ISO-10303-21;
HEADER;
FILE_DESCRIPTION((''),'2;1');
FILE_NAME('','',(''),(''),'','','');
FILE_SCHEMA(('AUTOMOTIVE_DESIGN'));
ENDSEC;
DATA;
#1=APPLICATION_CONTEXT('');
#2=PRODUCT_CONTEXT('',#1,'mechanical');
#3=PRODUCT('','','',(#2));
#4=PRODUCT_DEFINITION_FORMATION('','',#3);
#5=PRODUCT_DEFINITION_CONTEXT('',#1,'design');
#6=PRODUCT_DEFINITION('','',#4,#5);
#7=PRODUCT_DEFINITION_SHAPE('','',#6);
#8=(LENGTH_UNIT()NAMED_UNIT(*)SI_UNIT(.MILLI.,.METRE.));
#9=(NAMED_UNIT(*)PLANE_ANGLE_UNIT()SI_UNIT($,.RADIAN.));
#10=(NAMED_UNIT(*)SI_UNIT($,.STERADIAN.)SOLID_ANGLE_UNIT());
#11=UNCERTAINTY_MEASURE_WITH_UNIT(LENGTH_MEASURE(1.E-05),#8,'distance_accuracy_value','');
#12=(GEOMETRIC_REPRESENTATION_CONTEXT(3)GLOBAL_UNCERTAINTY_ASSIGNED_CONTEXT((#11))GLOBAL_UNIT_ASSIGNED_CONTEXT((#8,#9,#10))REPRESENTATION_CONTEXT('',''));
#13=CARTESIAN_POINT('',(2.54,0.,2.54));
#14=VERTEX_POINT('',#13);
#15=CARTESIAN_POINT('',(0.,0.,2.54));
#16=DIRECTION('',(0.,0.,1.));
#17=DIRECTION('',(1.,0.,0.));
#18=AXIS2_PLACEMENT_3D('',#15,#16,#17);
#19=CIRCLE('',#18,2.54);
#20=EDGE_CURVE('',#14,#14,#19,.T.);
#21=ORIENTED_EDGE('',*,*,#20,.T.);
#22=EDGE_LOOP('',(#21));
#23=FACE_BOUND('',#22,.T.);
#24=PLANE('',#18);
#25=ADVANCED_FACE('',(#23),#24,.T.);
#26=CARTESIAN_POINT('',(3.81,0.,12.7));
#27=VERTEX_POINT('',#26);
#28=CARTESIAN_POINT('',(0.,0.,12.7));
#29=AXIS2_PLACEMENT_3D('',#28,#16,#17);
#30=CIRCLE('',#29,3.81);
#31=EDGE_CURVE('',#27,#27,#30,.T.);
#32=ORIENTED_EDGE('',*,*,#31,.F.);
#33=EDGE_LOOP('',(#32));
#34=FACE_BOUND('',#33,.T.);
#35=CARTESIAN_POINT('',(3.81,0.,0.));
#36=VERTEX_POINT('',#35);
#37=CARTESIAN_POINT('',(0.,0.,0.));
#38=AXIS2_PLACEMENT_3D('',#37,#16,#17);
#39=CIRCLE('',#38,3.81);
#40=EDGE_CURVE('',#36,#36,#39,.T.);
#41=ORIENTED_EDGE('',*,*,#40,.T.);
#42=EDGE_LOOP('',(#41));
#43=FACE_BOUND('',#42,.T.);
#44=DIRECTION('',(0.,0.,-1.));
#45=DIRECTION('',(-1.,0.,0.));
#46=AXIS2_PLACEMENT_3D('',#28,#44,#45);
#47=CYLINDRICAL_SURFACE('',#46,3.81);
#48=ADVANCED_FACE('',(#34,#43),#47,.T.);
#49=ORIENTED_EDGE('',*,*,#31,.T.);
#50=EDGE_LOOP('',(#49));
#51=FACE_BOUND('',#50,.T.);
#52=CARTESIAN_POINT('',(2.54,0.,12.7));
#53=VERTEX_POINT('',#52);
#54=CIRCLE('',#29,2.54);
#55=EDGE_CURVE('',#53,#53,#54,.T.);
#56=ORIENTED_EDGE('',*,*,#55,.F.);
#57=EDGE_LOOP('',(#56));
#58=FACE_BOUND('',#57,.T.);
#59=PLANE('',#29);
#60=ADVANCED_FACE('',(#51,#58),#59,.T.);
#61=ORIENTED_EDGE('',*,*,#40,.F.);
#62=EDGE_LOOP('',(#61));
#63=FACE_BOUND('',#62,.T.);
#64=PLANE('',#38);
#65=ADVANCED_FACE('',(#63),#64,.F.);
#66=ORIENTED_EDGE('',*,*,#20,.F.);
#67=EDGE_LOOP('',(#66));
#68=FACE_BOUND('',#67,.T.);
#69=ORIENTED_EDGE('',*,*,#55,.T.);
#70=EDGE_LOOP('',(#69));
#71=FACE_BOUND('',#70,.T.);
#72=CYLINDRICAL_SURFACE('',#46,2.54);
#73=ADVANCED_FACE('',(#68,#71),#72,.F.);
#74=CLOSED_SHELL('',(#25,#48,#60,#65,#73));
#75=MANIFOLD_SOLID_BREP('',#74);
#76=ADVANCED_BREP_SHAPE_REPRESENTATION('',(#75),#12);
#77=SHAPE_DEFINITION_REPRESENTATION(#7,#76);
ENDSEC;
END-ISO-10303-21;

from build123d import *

# Parameters (mm, degrees)
SKETCH1_R           = 3.81
SKETCH1_R_2         = 2.54
BOSS_EXTRUDE1_DEPTH = 12.7
SKETCH1_2_R         = 2.54
BOSS_EXTRUDE2_DEPTH = 2.54


with BuildPart() as part:
    # Sketch1 → Boss-Extrude1 (new body)
    with BuildSketch(Plane.XY):
        Circle(SKETCH1_R)
        Circle(SKETCH1_R_2, mode=Mode.SUBTRACT)
    extrude(amount=BOSS_EXTRUDE1_DEPTH)

    # Sketch1<2> → Boss-Extrude2 (add)
    with BuildSketch(Plane.XY):
        Circle(SKETCH1_2_R)
    extrude(amount=BOSS_EXTRUDE2_DEPTH)


solid = part.part
